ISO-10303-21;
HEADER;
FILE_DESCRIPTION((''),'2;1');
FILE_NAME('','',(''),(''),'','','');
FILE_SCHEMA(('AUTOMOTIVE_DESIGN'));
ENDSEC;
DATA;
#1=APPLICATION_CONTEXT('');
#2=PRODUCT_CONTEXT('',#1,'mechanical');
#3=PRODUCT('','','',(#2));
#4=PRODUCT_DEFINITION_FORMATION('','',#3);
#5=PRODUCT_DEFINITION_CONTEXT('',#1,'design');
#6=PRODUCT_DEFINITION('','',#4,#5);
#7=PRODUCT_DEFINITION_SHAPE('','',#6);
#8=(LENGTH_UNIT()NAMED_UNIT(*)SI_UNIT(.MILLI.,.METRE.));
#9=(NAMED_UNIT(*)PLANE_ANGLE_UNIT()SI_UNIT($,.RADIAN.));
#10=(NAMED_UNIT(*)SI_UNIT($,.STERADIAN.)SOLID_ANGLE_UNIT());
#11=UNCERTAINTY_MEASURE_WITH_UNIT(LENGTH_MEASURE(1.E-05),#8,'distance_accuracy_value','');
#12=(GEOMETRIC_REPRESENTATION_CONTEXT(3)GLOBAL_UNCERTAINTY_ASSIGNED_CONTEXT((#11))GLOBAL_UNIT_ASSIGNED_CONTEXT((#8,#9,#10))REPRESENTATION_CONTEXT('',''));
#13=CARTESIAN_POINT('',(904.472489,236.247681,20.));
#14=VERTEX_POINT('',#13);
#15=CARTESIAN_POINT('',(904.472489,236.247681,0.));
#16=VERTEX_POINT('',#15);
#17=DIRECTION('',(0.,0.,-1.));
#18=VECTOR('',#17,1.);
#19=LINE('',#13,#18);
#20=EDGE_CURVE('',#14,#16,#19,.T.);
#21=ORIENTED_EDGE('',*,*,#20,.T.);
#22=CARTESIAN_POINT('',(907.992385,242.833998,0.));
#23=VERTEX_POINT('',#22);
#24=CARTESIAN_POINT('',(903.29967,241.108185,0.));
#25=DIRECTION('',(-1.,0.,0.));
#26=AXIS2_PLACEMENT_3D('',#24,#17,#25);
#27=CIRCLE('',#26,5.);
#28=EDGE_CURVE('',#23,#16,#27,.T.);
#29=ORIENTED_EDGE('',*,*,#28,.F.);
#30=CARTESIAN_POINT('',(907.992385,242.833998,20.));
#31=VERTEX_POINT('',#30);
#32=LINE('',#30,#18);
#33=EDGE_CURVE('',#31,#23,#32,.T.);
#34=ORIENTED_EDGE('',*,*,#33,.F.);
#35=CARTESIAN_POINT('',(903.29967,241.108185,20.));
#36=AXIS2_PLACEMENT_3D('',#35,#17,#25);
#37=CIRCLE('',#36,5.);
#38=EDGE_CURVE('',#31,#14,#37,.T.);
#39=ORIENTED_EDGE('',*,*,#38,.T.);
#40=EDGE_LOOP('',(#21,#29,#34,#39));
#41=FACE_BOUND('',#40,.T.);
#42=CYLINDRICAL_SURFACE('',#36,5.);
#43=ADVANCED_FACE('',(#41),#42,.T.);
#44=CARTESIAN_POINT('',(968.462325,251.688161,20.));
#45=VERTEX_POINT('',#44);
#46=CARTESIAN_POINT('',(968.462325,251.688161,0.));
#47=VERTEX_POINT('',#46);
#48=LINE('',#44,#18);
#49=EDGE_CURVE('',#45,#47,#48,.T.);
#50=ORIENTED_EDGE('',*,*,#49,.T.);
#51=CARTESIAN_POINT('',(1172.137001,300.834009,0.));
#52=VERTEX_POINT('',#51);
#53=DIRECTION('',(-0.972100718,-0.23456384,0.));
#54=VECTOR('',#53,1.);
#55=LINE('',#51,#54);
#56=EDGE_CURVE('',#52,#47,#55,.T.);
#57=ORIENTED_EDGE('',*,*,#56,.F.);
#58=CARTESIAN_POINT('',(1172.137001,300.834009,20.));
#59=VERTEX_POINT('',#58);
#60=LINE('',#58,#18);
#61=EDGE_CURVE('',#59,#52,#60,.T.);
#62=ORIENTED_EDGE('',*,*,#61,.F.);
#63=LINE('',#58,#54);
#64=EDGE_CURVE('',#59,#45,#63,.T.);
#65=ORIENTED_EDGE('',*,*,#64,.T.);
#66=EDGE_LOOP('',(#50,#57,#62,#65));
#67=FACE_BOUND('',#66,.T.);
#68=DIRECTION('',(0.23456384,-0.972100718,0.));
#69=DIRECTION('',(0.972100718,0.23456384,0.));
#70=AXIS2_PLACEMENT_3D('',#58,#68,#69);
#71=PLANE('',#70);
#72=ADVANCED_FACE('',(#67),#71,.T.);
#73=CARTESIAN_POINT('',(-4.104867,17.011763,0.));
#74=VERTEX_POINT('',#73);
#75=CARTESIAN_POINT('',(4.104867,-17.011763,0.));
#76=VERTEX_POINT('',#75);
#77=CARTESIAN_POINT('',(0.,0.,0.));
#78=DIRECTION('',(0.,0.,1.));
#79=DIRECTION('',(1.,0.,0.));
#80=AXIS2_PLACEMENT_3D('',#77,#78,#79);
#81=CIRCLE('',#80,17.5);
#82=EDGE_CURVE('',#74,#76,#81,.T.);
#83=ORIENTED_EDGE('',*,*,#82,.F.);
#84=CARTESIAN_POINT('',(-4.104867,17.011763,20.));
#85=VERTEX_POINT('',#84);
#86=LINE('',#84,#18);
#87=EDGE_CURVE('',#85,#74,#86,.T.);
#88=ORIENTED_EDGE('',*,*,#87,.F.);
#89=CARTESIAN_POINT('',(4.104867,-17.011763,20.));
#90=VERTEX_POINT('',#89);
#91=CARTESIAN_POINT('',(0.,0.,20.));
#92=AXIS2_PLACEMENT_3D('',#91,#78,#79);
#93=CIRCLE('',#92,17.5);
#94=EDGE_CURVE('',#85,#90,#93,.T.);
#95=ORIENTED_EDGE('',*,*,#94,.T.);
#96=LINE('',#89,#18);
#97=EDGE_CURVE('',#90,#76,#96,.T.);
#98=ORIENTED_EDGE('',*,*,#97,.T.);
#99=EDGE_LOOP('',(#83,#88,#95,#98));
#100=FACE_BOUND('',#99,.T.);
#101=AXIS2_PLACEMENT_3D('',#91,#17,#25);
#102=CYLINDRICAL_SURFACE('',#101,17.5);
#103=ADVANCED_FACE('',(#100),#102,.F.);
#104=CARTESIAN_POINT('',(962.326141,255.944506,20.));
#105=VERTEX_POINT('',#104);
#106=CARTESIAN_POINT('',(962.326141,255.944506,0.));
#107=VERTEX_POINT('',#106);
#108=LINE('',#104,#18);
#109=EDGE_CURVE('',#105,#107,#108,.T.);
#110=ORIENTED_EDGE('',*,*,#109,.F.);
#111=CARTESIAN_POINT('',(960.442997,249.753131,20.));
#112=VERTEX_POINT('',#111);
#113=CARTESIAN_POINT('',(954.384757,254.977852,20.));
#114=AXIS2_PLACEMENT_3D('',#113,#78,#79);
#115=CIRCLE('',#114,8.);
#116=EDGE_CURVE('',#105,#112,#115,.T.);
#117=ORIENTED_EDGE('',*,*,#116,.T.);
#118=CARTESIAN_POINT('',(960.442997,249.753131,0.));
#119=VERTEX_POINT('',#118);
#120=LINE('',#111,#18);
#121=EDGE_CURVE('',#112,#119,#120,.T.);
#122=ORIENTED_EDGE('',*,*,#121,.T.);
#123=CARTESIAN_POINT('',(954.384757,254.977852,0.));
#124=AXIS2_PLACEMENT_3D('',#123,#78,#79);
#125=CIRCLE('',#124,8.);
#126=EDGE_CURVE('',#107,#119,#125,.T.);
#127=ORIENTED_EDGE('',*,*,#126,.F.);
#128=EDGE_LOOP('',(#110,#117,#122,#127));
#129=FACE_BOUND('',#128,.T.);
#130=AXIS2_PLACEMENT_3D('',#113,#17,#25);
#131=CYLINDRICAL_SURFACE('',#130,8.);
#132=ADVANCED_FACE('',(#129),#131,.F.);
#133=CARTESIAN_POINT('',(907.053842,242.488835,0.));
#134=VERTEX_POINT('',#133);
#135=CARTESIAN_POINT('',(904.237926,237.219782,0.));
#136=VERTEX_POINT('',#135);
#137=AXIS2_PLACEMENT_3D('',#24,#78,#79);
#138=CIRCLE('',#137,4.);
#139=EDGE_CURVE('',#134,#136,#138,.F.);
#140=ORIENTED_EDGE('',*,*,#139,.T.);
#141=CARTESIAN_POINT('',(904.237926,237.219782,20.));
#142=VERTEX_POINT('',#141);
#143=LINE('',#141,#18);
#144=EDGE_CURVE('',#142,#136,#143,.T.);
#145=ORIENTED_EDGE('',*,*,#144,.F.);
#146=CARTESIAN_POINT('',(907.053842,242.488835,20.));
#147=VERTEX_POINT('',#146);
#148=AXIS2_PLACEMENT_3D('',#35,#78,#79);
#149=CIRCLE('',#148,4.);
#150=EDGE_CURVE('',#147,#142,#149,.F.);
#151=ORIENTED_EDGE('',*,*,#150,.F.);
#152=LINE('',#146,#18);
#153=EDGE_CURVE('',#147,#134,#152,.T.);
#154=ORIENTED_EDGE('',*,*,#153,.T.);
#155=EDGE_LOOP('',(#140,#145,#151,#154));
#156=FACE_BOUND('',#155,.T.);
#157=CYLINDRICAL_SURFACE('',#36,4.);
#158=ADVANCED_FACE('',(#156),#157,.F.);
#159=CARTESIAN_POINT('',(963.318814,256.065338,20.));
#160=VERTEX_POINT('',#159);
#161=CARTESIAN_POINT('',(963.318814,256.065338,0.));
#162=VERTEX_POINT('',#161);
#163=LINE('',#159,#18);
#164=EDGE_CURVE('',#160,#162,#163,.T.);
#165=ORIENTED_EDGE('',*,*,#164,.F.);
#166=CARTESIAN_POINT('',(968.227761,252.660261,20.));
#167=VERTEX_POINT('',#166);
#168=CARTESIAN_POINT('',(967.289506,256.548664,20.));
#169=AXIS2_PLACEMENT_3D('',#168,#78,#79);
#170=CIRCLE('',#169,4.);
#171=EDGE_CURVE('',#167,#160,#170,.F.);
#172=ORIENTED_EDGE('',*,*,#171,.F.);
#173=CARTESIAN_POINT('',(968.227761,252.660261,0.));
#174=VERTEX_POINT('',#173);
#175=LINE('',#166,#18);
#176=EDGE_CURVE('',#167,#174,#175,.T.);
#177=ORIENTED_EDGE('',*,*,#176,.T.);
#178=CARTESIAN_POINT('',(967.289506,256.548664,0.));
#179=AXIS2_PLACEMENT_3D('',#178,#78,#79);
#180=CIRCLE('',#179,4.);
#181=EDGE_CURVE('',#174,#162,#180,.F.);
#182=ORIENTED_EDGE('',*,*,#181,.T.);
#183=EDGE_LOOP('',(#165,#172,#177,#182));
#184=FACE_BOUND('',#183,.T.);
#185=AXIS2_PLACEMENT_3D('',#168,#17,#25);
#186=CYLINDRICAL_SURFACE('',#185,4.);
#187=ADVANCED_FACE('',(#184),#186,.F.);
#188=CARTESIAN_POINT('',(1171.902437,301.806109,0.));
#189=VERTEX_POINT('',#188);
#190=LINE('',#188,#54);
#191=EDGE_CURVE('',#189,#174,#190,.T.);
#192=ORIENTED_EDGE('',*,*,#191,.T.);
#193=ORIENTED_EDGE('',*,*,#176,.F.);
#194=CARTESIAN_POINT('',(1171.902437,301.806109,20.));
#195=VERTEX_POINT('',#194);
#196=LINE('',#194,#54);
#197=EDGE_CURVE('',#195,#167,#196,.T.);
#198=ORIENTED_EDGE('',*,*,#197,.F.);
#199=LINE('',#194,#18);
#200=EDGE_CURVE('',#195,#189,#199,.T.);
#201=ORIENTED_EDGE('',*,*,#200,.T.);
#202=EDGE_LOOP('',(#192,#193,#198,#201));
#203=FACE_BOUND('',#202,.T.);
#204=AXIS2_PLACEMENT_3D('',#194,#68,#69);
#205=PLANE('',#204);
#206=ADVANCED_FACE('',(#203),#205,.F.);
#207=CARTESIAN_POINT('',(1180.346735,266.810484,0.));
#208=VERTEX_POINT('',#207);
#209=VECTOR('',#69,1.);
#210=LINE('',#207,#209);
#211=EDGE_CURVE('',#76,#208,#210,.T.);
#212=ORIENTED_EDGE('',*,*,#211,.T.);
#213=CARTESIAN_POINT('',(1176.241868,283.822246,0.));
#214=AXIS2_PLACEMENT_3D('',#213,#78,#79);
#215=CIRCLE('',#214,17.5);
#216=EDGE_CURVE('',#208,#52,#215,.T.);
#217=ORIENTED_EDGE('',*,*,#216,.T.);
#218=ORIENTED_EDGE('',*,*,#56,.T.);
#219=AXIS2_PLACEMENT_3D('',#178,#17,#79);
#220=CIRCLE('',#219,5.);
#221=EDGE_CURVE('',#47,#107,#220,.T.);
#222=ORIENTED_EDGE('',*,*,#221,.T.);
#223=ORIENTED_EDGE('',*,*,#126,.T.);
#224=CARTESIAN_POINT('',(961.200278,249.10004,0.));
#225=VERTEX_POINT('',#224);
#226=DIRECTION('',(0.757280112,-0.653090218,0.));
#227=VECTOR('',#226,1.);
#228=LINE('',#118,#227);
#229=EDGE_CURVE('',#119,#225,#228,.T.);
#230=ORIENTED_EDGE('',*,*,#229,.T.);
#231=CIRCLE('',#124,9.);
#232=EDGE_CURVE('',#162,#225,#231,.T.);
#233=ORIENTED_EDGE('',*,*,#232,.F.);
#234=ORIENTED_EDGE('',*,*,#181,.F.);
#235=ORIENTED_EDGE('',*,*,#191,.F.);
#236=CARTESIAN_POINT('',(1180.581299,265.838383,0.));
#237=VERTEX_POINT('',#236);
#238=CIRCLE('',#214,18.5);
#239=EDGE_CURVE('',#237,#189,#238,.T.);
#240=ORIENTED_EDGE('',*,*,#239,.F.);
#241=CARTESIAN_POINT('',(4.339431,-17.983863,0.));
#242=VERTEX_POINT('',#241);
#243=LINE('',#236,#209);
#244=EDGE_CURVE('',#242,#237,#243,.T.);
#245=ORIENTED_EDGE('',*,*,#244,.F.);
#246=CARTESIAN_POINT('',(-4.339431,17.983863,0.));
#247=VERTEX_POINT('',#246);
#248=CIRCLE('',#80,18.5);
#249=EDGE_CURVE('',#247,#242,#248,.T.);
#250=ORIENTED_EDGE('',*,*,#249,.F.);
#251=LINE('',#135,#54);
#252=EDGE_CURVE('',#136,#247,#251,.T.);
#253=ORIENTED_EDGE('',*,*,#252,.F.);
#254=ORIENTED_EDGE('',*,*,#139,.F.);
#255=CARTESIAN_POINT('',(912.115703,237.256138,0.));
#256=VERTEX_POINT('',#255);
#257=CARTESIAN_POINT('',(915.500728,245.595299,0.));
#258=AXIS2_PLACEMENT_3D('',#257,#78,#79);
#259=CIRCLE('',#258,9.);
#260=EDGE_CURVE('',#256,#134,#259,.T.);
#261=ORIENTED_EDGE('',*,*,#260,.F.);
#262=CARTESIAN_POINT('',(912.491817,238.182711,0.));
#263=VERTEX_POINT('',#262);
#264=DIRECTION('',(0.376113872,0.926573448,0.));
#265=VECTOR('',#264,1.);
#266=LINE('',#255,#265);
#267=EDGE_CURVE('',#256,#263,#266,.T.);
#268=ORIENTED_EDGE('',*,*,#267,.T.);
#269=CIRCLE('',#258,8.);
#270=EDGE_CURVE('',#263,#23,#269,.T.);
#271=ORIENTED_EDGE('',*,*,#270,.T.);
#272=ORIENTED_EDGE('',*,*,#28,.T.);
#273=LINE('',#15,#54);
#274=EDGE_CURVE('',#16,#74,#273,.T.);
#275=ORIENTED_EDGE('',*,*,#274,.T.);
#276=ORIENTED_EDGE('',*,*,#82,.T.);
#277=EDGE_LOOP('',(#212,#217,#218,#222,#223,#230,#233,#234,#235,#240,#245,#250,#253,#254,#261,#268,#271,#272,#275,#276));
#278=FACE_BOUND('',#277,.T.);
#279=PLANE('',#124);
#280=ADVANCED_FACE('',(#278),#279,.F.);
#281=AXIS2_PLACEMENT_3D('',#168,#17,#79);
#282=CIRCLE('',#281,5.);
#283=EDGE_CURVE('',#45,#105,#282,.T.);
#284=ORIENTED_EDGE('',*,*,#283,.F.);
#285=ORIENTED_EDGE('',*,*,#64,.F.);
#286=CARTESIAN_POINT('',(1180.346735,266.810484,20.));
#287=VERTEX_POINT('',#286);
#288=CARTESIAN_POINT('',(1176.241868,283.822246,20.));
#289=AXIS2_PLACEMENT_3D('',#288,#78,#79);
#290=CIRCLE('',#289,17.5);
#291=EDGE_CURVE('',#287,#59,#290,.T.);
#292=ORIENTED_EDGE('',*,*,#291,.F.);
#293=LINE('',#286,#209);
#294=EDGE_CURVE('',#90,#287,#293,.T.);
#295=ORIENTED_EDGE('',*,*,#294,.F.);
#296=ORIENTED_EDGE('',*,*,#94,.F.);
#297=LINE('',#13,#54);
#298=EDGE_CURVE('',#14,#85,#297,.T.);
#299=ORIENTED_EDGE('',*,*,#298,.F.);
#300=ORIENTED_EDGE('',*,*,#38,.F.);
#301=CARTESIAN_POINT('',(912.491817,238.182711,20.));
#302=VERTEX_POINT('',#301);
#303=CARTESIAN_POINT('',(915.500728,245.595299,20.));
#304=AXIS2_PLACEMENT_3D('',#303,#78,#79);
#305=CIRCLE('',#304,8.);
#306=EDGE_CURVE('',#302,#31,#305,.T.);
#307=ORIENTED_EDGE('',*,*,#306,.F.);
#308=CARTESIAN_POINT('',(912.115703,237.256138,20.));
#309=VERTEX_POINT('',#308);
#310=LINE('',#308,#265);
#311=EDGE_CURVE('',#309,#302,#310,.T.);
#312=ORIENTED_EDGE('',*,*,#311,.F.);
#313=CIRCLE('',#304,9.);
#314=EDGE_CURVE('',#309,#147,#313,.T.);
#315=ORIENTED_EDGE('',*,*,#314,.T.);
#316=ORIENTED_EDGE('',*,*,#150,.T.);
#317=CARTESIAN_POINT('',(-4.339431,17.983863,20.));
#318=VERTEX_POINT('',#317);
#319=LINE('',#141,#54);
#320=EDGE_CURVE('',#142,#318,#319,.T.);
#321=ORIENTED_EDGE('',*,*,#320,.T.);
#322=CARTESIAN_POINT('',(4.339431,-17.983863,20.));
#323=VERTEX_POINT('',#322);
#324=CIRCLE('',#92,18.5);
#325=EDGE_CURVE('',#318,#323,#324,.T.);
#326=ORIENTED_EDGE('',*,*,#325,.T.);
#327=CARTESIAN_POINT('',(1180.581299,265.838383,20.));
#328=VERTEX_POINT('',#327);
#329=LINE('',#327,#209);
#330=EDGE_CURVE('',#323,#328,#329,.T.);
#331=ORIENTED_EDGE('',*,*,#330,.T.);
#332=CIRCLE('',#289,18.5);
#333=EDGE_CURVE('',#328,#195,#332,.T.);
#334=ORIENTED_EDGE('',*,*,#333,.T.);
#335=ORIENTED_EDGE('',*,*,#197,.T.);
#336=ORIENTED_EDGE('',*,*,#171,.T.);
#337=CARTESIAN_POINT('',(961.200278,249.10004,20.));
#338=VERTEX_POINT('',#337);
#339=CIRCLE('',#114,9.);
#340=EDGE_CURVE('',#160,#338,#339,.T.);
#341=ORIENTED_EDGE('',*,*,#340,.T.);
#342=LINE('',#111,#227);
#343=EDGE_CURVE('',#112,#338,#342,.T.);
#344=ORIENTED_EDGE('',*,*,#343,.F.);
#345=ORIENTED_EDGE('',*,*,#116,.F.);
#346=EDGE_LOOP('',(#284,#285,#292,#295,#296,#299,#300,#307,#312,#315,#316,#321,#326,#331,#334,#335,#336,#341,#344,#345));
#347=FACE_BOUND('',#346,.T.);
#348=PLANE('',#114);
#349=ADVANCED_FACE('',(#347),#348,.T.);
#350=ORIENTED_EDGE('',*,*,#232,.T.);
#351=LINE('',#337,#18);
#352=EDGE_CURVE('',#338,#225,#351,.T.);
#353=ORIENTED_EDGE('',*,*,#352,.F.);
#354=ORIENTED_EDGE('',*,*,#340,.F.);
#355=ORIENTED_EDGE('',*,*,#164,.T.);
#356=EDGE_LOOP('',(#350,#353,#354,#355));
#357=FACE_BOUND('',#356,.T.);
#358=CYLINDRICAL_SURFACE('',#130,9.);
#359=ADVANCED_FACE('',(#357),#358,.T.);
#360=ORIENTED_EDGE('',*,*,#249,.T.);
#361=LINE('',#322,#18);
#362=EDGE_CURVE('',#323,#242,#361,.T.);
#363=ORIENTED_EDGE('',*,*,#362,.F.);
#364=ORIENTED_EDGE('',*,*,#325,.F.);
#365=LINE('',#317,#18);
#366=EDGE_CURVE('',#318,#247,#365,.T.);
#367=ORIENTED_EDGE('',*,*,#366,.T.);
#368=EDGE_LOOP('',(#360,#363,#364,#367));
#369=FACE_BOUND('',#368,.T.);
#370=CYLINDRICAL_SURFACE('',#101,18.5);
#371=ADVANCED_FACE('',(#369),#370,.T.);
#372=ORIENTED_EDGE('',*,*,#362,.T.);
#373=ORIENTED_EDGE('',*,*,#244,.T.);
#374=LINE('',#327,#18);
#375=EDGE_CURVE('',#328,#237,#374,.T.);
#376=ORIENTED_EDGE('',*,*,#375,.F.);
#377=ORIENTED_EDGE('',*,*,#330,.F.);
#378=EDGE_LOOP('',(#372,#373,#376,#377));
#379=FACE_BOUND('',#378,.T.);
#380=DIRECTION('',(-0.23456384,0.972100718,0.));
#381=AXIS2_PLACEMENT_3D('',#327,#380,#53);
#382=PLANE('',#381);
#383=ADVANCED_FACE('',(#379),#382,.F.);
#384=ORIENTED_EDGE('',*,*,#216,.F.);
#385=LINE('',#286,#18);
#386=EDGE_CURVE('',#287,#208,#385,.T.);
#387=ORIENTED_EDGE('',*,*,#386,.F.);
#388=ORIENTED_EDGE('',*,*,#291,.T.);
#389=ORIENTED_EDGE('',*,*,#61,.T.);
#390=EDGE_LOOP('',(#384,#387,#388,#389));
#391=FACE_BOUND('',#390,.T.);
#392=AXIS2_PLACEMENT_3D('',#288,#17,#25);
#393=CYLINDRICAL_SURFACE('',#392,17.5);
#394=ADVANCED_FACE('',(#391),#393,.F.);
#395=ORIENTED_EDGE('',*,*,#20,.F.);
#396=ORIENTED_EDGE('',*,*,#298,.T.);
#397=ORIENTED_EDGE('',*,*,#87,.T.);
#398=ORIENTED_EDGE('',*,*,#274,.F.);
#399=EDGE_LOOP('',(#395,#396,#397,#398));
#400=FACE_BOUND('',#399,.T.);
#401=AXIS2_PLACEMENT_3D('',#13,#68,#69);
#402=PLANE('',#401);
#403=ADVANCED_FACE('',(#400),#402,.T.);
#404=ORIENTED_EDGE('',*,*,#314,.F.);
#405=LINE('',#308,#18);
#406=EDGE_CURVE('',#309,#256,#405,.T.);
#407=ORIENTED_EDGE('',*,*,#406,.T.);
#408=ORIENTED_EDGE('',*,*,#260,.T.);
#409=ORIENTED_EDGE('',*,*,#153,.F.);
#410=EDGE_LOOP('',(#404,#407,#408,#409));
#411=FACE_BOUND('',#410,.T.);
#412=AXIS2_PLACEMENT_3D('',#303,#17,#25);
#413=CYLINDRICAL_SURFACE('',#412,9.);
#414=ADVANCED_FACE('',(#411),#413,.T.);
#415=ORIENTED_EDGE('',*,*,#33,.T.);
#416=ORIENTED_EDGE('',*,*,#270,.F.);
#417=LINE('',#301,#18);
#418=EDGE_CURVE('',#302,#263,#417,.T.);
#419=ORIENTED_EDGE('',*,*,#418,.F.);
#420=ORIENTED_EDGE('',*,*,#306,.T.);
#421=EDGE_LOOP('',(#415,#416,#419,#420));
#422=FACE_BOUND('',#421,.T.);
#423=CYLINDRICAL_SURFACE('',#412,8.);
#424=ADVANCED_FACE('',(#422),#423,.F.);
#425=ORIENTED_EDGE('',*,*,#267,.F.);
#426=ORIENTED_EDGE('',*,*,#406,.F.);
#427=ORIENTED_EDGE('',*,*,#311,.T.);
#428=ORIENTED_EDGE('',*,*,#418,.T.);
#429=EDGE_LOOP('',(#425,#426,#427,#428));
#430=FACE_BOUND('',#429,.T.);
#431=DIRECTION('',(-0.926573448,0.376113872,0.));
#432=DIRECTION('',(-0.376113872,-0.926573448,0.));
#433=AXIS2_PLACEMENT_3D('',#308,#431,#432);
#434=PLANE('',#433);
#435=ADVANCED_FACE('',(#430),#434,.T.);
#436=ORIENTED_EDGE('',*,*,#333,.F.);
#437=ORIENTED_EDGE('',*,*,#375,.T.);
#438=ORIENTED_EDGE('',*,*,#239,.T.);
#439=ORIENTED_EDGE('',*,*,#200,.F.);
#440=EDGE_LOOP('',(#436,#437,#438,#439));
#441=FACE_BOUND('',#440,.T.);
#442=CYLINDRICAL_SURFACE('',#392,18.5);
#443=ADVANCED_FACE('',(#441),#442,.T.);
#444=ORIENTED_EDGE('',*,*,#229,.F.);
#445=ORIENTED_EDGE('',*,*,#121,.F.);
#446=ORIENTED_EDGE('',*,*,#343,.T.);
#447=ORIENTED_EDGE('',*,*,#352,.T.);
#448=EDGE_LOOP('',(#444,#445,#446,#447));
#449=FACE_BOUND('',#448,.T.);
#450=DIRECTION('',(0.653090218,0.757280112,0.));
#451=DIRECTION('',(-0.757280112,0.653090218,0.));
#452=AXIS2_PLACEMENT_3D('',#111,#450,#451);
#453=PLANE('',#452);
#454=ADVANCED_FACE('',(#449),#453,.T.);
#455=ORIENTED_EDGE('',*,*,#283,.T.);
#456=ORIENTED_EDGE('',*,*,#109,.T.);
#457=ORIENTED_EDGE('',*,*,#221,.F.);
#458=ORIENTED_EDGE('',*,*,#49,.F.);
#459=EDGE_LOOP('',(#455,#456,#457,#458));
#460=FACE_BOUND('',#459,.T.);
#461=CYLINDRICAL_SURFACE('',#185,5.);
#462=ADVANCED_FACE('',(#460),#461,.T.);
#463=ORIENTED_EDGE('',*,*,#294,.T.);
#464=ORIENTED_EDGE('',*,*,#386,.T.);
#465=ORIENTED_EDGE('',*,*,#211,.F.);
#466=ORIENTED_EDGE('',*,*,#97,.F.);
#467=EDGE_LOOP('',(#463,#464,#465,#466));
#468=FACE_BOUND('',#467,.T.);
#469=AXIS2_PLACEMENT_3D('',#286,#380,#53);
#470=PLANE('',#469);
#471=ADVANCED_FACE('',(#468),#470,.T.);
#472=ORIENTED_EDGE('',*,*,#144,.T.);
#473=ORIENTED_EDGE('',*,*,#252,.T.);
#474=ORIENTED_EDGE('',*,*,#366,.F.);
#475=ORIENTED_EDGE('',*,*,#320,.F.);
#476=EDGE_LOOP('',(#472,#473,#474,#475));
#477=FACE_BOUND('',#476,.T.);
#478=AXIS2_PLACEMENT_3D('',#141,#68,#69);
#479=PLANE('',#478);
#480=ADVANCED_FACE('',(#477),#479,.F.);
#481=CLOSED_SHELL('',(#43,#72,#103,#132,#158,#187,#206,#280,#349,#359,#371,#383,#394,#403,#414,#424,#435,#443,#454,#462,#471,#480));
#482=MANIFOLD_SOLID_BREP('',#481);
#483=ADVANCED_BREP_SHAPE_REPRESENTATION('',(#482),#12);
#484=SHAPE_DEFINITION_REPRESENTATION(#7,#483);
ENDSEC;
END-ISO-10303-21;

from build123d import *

# Parameters (mm, degrees)
EXTRUDE_1_DEPTH = 20


with BuildPart() as part:
    # Эскиз1 → Вытянуть-Тонкостенный1 (new body)
    with BuildSketch(Plane.XY):
        with BuildLine():
            ThreePointArc((912.491816875, 238.182711116), (921.250664821, 251.157512727), (907.99238472, 242.833997667))
            ThreePointArc((907.99238472, 242.833997667), (907.709433669, 238.751494744), (904.472489462, 236.247680931))
            Line((904.472489462, 236.247680931), (-4.104867197, 17.011762557))
            ThreePointArc((-4.104867197, 17.011762557), (-17.011762557, -4.104867197), (4.104867197, -17.011762557))
            Line((4.104867197, -17.011762557), (1180.346735421, 266.81048364))
            ThreePointArc((1180.346735421, 266.81048364), (1193.253630781, 287.927113394), (1172.137001027, 300.834008754))
            Line((1172.137001027, 300.834008754), (968.462324862, 251.688160741))
            ThreePointArc((968.462324862, 251.688160741), (964.439737623, 252.440279959), (962.326140621, 255.944505854))
            ThreePointArc((962.326140621, 255.944505854), (946.7309564, 257.30580058), (960.442997448, 249.753130556))
            Line((960.442997448, 249.753130556), (961.20027756, 249.100040338))
            ThreePointArc((961.20027756, 249.100040338), (945.774231381, 257.596794115), (963.318813629, 256.065337549))
            ThreePointArc((963.318813629, 256.065337549), (965.009691231, 253.261956833), (968.227761022, 252.660261458))
            Line((968.227761022, 252.660261458), (1171.902437187, 301.806109471))
            ThreePointArc((1171.902437187, 301.806109471), (1194.225731499, 288.161677234), (1180.581299261, 265.838382922))
            Line((1180.581299261, 265.838382922), (4.339431037, -17.983863275))
            ThreePointArc((4.339431037, -17.983863275), (-17.983863275, -4.339431037), (-4.339431037, 17.983863275))
            Line((-4.339431037, 17.983863275), (904.237925622, 237.219781649))
            ThreePointArc((904.237925622, 237.219781649), (906.827480988, 239.222832699), (907.053841829, 242.488835037))
            ThreePointArc((907.053841829, 242.488835037), (921.969406942, 251.852789481), (912.115703003, 237.256137668))
            Line((912.115703003, 237.256137668), (912.491816875, 238.182711116))
        make_face()
    extrude(amount=EXTRUDE_1_DEPTH)


solid = part.part
